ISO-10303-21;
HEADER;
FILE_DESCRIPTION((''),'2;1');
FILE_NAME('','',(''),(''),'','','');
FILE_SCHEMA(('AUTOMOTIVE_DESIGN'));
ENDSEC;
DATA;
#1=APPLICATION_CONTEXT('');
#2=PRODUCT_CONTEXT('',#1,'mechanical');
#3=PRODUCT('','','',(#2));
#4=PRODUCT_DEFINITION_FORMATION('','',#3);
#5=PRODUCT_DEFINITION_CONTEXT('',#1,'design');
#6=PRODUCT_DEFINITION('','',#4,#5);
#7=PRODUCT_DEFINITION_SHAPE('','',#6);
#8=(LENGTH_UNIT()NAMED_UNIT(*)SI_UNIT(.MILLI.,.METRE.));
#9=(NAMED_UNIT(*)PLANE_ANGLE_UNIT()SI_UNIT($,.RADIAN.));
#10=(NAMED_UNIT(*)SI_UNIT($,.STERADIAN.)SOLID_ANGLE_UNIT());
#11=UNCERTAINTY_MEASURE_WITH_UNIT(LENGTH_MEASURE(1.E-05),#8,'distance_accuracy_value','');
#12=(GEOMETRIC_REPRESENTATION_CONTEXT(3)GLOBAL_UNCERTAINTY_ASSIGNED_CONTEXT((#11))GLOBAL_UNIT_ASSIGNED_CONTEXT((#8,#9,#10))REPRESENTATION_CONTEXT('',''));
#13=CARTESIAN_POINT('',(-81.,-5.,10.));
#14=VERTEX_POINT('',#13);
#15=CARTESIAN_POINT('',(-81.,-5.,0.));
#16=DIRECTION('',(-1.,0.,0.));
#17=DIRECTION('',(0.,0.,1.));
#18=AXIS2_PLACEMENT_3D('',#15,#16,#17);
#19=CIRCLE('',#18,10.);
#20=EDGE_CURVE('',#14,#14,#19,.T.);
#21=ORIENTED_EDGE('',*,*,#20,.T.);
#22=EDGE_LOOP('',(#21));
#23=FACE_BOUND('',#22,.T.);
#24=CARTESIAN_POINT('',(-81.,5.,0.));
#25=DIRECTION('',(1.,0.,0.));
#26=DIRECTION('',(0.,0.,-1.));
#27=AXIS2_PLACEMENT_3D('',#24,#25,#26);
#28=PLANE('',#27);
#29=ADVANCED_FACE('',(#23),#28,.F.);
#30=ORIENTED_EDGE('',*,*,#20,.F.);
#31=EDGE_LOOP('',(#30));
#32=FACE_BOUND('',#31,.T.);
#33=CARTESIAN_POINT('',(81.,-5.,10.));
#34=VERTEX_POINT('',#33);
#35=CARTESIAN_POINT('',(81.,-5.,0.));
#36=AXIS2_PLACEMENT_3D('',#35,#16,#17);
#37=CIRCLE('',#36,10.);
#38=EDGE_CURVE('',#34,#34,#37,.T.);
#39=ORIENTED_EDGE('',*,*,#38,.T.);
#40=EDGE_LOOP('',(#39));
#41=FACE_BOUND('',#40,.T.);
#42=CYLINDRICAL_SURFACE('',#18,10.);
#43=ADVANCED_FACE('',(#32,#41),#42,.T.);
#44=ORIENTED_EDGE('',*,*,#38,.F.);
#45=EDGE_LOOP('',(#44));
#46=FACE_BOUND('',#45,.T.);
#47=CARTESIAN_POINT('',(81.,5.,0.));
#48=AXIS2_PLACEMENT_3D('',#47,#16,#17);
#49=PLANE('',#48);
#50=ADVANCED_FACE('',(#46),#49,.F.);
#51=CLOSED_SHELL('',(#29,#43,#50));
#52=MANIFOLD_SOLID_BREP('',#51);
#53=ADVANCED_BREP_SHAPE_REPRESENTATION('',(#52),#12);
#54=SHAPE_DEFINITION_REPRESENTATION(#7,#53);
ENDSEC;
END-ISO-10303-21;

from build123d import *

# Parameters (mm, degrees)
SKETCH1_W = 162.000000052
SKETCH1_H = 9.999999812


with BuildPart() as part:
    # Sketch1 → Revolve1 (revolve)
    with BuildSketch(Plane.XY, mode=Mode.PRIVATE) as revolve1_sk:
        with Locations((2.6e-08, 0)):
            Rectangle(SKETCH1_W, SKETCH1_H)
    revolve(revolve1_sk.sketch.rotate(Axis((-81, -4.999999906, 0), (1, 0, 0)), 90), axis=Axis((-81, -4.999999906, 0), (1, 0, 0)))


solid = part.part
